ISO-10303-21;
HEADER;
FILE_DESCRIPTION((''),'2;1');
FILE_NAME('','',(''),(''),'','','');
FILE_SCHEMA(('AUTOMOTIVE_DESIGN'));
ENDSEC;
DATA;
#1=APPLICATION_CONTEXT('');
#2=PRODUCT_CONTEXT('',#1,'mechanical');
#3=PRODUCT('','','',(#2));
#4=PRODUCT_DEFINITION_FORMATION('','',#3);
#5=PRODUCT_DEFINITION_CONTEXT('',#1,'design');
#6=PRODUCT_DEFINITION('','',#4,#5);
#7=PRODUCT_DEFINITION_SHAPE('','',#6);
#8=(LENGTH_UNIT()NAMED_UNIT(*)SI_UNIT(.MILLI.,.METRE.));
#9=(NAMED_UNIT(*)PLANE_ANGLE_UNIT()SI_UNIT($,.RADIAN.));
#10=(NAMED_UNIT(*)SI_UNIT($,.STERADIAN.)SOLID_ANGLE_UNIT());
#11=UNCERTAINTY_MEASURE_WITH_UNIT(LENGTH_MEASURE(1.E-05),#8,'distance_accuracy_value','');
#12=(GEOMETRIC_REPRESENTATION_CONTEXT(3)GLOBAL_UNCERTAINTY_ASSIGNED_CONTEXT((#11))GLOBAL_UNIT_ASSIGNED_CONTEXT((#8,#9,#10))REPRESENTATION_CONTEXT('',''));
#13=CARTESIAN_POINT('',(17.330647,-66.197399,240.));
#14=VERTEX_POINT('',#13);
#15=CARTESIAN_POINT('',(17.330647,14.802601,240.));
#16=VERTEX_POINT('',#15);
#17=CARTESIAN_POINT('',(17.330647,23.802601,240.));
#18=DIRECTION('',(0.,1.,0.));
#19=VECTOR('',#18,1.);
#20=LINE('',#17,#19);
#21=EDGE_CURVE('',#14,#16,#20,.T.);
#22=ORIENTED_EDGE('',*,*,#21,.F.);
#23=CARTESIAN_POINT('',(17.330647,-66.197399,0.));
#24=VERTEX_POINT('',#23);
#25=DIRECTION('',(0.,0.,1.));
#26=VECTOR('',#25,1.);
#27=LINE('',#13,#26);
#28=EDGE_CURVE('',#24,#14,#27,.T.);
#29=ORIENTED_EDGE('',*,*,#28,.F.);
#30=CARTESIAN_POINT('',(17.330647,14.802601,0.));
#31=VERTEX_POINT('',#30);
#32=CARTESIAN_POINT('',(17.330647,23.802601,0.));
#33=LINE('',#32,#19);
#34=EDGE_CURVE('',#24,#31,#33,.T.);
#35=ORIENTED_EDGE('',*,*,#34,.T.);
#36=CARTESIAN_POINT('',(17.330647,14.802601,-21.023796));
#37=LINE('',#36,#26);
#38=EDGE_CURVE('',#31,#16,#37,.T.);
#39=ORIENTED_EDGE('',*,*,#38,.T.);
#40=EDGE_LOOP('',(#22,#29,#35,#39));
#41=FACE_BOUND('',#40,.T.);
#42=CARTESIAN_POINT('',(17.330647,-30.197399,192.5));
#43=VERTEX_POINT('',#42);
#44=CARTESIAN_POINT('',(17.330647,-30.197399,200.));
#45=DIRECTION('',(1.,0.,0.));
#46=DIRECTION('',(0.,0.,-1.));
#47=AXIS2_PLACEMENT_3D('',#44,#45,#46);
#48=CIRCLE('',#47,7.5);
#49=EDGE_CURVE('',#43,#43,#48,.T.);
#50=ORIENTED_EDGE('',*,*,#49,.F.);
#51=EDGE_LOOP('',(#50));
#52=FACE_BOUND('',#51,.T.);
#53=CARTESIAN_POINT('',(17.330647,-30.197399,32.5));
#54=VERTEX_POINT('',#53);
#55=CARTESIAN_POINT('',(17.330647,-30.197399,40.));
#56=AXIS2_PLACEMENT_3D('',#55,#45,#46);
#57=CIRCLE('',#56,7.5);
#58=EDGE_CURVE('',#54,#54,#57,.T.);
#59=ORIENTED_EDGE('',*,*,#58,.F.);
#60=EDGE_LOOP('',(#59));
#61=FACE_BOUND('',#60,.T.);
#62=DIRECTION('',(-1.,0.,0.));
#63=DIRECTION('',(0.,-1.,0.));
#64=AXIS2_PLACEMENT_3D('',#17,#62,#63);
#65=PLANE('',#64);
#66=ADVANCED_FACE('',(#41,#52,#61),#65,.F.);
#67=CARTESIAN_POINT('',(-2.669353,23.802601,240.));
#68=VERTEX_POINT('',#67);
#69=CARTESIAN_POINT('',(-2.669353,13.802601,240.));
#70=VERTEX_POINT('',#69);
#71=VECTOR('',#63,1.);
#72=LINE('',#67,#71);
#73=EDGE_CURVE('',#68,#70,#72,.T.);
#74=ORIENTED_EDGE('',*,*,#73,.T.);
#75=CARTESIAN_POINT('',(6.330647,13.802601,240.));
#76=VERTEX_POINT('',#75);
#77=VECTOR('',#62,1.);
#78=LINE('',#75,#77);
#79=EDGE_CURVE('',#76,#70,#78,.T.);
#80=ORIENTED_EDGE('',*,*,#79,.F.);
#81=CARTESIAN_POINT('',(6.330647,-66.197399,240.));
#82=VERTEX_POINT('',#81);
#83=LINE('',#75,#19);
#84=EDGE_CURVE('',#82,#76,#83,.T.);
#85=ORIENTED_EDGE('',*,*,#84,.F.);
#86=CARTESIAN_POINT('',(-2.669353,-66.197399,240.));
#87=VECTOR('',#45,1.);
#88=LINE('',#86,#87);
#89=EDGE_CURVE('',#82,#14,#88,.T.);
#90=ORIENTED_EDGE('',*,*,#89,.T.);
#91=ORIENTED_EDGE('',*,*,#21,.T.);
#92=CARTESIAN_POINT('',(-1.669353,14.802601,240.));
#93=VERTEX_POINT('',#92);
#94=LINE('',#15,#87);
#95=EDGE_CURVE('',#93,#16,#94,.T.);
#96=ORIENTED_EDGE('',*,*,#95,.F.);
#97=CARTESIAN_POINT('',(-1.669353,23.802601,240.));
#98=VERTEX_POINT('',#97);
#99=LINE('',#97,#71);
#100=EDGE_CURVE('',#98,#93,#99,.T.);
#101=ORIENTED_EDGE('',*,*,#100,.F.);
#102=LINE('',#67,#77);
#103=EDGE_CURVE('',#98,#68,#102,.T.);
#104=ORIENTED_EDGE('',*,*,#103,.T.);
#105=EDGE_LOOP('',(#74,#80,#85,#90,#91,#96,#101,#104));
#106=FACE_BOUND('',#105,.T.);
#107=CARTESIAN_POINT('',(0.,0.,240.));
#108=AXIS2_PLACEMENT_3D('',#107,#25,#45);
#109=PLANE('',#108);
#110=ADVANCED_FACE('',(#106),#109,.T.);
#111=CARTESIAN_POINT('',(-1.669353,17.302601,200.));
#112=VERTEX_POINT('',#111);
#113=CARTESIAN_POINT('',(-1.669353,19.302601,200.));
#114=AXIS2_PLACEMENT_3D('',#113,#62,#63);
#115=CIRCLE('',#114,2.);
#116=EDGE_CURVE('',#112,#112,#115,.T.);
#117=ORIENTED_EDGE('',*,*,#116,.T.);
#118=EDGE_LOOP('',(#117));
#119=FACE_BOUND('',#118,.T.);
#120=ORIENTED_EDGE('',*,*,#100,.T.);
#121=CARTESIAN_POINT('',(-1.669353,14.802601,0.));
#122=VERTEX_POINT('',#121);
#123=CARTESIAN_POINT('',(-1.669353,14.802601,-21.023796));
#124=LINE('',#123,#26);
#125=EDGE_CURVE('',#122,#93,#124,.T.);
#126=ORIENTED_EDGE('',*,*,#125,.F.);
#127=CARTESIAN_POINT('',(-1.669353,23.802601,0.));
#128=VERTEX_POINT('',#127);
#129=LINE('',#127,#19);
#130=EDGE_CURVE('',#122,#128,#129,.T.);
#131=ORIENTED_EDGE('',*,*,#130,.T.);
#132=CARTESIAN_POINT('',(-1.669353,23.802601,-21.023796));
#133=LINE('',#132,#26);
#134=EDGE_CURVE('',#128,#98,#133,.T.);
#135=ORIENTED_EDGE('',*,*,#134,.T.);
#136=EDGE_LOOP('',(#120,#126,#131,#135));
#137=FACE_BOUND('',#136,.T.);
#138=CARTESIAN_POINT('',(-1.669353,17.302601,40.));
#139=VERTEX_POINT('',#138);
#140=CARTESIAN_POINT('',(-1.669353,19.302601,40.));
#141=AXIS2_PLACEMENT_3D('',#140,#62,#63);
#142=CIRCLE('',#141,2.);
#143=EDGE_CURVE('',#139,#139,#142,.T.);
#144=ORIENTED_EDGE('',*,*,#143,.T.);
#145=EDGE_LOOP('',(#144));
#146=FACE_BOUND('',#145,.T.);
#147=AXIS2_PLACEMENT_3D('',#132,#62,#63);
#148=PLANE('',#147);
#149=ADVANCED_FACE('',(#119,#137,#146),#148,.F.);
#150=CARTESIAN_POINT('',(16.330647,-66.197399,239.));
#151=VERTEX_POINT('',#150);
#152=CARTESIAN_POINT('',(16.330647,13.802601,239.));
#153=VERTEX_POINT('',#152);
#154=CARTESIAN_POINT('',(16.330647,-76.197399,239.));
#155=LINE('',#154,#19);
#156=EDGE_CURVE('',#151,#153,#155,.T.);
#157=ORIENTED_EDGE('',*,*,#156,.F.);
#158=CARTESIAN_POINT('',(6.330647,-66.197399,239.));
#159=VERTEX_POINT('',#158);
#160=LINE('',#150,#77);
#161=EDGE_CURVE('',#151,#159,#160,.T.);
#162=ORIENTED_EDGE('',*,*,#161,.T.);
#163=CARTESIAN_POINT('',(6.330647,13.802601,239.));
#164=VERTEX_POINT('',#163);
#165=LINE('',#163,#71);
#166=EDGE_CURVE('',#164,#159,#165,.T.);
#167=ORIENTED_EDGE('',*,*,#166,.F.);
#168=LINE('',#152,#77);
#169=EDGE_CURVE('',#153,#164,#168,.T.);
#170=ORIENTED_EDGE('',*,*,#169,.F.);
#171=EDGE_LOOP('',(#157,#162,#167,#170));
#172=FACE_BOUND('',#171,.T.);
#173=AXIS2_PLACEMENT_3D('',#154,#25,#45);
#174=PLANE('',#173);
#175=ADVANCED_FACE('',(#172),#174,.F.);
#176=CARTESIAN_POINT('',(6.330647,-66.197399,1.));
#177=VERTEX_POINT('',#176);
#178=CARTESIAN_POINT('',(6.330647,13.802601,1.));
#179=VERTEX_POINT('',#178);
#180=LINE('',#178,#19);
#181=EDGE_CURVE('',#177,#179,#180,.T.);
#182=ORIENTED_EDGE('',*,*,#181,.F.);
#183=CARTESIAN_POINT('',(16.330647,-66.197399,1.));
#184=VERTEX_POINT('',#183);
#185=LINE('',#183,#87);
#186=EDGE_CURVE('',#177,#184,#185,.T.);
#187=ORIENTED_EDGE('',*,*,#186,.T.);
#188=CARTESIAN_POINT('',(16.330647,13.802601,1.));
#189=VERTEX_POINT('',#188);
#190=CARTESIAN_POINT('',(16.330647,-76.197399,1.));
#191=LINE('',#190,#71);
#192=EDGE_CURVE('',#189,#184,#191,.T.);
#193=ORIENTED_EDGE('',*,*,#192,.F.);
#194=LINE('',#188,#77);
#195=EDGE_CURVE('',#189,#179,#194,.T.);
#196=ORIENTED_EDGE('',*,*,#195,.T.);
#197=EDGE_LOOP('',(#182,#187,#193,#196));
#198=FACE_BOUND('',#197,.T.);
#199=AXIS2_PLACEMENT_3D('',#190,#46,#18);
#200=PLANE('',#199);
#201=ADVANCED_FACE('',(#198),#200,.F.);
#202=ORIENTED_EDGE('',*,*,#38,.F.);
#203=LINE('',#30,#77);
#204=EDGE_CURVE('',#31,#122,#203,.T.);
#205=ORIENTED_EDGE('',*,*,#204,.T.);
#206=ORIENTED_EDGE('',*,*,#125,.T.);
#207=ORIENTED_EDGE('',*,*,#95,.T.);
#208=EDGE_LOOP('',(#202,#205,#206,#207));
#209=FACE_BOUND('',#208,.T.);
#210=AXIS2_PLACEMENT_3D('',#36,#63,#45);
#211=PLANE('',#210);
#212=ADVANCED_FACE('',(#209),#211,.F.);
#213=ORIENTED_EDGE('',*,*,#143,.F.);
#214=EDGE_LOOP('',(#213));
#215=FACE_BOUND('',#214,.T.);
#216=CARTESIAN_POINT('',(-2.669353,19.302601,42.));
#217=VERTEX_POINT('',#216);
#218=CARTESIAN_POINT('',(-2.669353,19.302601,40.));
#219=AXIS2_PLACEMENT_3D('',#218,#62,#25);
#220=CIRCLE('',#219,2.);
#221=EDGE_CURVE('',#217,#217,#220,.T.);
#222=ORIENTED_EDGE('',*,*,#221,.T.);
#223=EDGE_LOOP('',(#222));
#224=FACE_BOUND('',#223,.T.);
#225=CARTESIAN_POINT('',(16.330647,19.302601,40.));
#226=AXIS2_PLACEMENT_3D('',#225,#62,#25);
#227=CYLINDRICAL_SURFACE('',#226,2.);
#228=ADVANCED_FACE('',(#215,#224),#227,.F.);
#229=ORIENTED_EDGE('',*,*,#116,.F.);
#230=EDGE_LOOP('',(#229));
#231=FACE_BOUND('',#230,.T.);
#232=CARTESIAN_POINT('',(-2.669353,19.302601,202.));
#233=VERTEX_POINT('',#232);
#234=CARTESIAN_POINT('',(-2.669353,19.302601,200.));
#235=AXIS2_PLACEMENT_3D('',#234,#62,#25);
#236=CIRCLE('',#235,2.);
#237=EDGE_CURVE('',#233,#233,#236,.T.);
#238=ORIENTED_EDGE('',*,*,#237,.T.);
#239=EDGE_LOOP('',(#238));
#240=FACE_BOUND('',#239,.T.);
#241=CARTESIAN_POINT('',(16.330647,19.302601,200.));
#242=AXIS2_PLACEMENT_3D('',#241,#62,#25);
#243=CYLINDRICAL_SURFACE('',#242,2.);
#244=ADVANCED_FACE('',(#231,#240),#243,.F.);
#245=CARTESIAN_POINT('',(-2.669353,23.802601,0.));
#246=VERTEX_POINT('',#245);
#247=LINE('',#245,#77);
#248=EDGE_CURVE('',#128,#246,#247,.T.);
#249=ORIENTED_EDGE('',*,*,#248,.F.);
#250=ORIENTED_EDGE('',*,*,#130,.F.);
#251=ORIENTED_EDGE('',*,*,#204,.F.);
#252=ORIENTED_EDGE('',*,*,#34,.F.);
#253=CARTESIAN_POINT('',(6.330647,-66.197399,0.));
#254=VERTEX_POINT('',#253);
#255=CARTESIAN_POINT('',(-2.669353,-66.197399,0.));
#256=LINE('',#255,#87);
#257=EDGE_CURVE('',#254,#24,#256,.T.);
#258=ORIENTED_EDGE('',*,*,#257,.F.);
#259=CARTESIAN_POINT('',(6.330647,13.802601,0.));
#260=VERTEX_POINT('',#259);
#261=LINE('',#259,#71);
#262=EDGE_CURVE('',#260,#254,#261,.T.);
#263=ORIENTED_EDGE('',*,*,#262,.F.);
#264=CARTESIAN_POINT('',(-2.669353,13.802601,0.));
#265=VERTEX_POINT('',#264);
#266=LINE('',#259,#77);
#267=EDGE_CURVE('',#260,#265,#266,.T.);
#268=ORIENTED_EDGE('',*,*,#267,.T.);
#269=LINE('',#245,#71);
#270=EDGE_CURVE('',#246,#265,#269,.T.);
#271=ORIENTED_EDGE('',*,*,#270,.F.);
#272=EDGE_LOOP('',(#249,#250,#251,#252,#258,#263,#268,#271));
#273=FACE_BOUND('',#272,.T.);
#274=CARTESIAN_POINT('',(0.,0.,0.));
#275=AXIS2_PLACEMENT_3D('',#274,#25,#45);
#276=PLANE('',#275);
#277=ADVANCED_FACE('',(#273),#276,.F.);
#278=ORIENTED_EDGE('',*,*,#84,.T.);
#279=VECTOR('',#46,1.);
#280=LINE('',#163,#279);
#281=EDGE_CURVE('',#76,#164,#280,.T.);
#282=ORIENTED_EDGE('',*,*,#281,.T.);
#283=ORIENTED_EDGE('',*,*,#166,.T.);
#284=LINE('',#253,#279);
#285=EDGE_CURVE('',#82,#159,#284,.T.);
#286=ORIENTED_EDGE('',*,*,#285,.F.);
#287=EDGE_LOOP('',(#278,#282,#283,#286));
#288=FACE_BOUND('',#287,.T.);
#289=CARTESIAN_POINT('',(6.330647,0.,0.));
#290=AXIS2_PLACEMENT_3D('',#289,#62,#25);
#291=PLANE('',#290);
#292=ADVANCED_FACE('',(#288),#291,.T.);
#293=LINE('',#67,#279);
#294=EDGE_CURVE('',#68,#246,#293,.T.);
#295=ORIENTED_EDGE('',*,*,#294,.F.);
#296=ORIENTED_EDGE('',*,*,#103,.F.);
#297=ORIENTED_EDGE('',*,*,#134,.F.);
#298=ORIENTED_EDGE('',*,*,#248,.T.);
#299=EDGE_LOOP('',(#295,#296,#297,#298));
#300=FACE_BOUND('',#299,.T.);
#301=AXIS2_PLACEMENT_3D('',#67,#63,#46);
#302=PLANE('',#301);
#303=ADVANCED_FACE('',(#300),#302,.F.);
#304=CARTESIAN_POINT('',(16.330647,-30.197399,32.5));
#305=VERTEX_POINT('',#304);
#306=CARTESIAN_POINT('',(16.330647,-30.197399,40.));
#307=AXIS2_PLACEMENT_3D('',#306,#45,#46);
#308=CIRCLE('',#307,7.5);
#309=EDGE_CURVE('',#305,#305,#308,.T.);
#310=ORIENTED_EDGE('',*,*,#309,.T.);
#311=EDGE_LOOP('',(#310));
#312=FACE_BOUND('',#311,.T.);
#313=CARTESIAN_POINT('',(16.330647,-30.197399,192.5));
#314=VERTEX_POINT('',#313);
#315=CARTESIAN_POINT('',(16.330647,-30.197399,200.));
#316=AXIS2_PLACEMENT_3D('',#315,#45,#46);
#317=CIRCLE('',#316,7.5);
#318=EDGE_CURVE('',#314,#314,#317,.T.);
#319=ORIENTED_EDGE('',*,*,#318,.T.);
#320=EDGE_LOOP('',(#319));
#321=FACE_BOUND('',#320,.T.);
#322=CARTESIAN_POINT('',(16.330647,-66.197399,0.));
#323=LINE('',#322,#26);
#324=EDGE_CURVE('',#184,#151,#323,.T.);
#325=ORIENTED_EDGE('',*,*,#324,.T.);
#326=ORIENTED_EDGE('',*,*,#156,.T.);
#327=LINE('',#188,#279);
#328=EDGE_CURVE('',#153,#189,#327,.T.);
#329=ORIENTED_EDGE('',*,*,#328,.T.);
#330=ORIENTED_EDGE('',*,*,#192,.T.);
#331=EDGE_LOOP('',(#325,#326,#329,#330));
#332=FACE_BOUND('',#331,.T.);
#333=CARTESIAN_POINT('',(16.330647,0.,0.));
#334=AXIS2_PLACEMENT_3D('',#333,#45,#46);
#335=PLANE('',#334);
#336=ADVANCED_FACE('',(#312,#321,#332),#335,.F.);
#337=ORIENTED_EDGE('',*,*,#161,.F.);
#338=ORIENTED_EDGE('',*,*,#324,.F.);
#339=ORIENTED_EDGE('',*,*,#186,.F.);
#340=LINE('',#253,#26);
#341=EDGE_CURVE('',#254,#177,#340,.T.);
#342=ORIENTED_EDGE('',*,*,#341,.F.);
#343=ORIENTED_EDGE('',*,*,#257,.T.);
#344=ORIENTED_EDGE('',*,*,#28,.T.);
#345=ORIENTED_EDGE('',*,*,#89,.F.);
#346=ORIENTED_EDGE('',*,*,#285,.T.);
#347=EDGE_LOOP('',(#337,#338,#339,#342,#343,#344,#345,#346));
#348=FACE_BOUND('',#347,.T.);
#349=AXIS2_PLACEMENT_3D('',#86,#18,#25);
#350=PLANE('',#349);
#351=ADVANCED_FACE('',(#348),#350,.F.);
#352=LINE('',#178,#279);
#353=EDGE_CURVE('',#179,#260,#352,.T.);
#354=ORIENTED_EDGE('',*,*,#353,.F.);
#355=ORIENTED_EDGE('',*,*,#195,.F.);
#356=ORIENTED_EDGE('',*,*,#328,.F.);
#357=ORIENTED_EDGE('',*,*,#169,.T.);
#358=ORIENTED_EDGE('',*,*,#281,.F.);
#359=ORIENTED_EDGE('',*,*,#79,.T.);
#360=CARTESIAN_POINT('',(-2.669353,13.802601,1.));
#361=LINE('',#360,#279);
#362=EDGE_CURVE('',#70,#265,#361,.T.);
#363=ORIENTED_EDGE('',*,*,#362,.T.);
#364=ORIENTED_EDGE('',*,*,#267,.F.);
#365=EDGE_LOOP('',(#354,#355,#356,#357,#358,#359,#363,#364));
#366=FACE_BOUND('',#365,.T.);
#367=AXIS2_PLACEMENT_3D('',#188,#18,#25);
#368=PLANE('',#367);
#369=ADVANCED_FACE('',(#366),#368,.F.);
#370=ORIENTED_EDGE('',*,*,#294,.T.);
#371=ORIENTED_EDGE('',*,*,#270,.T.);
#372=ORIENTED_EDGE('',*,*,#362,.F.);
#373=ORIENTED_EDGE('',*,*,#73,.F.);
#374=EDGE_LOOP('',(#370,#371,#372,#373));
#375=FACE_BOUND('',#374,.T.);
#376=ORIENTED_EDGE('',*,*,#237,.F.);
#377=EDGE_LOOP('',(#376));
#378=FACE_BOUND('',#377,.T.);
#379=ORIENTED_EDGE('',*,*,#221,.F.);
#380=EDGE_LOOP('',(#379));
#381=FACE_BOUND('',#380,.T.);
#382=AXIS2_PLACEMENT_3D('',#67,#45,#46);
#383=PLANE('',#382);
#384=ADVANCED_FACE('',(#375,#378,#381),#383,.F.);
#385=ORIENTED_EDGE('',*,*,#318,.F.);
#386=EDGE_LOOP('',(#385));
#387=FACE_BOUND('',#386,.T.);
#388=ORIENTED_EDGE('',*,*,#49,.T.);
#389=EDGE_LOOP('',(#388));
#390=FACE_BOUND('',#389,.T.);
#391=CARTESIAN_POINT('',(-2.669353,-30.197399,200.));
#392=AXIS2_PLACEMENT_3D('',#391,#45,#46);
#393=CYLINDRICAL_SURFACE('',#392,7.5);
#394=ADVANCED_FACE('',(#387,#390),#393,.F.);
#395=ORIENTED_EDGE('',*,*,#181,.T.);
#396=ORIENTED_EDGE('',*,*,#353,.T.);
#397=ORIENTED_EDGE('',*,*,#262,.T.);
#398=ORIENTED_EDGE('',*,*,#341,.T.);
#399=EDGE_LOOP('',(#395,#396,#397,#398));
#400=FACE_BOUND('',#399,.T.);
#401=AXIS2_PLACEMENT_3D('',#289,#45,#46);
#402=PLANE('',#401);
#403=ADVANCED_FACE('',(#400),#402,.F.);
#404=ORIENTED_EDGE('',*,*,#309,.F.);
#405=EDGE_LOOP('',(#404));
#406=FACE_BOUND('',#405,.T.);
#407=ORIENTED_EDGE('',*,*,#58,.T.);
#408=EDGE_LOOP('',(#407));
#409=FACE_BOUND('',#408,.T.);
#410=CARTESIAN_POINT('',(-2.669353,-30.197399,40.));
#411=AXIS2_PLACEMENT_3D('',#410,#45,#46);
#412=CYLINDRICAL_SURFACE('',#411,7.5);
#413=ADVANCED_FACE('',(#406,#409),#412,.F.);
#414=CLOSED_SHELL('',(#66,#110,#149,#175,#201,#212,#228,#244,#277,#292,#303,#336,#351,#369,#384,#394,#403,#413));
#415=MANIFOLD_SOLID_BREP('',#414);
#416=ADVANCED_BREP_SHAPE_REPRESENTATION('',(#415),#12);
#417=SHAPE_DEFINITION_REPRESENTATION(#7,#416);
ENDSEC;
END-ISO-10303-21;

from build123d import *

# Parameters (mm, degrees)
CROQUIS1_W              = 20
CROQUIS1_H              = 100
SALIENTE_EXTRUIR1_DEPTH = 240
CROQUIS2_W              = 19
CROQUIS2_H              = 9
CORTAR_EXTRUIR1_DEPTH   = 240
CROQUIS3_R              = 2
CROQUIS3_W              = 238
CROQUIS3_H              = 90
CORTAR_EXTRUIR2_DEPTH   = 19
CROQUIS4_W              = 1
CROQUIS4_H              = 90
CORTAR_EXTRUIR3_DEPTH   = 9
CROQUIS5_R              = 7.5
CROQUIS5_W              = 240
CROQUIS5_H              = 10
CORTAR_EXTRUIR5_DEPTH   = 20


with BuildPart() as part:
    # Croquis1 → Saliente-Extruir1 (new body)
    with BuildSketch(Plane.XY):
        with Locations((7.330646947, -26.197398527)):
            Rectangle(CROQUIS1_W, CROQUIS1_H)
    extrude(amount=SALIENTE_EXTRUIR1_DEPTH)

    # Croquis2 → Cortar-Extruir1 (cut)
    with BuildSketch(Plane.XY.offset(240)):
        with Locations((7.830646947, 19.302601473)):
            Rectangle(CROQUIS2_W, CROQUIS2_H)
    extrude(amount=-CORTAR_EXTRUIR1_DEPTH, mode=Mode.SUBTRACT)

    # Croquis3 → Cortar-Extruir2 (cut)
    with BuildSketch(Plane.ZY.offset(2.669353053)):
        with Locations((40, 19.302601473)):
            Circle(CROQUIS3_R)
        with Locations((200, 19.302601473)):
            Circle(CROQUIS3_R)
        with Locations((120, -31.197398527)):
            Rectangle(CROQUIS3_W, CROQUIS3_H)
    extrude(amount=-CORTAR_EXTRUIR2_DEPTH, mode=Mode.SUBTRACT)

    # Croquis4 → Cortar-Extruir3 (cut)
    with BuildSketch(Plane.ZY.offset(2.669353053)):
        with Locations((0.5, -31.197398527)):
            Rectangle(CROQUIS4_W, CROQUIS4_H)
        with Locations((239.5, -31.197398527)):
            Rectangle(CROQUIS4_W, CROQUIS4_H)
    extrude(amount=-CORTAR_EXTRUIR3_DEPTH, mode=Mode.SUBTRACT)

    # Croquis5 → Cortar-Extruir5 (cut)
    with BuildSketch(Plane(origin=(17.330646947, 0, 0), x_dir=(0, 0, -1), z_dir=(1, 0, 0))):
        with Locations((-200, -30.197398527)):
            Circle(CROQUIS5_R)
        with Locations((-40, -30.197398527)):
            Circle(CROQUIS5_R)
        with Locations((-120, -71.197398527)):
            Rectangle(CROQUIS5_W, CROQUIS5_H)
    extrude(amount=-CORTAR_EXTRUIR5_DEPTH, mode=Mode.SUBTRACT)


solid = part.part
